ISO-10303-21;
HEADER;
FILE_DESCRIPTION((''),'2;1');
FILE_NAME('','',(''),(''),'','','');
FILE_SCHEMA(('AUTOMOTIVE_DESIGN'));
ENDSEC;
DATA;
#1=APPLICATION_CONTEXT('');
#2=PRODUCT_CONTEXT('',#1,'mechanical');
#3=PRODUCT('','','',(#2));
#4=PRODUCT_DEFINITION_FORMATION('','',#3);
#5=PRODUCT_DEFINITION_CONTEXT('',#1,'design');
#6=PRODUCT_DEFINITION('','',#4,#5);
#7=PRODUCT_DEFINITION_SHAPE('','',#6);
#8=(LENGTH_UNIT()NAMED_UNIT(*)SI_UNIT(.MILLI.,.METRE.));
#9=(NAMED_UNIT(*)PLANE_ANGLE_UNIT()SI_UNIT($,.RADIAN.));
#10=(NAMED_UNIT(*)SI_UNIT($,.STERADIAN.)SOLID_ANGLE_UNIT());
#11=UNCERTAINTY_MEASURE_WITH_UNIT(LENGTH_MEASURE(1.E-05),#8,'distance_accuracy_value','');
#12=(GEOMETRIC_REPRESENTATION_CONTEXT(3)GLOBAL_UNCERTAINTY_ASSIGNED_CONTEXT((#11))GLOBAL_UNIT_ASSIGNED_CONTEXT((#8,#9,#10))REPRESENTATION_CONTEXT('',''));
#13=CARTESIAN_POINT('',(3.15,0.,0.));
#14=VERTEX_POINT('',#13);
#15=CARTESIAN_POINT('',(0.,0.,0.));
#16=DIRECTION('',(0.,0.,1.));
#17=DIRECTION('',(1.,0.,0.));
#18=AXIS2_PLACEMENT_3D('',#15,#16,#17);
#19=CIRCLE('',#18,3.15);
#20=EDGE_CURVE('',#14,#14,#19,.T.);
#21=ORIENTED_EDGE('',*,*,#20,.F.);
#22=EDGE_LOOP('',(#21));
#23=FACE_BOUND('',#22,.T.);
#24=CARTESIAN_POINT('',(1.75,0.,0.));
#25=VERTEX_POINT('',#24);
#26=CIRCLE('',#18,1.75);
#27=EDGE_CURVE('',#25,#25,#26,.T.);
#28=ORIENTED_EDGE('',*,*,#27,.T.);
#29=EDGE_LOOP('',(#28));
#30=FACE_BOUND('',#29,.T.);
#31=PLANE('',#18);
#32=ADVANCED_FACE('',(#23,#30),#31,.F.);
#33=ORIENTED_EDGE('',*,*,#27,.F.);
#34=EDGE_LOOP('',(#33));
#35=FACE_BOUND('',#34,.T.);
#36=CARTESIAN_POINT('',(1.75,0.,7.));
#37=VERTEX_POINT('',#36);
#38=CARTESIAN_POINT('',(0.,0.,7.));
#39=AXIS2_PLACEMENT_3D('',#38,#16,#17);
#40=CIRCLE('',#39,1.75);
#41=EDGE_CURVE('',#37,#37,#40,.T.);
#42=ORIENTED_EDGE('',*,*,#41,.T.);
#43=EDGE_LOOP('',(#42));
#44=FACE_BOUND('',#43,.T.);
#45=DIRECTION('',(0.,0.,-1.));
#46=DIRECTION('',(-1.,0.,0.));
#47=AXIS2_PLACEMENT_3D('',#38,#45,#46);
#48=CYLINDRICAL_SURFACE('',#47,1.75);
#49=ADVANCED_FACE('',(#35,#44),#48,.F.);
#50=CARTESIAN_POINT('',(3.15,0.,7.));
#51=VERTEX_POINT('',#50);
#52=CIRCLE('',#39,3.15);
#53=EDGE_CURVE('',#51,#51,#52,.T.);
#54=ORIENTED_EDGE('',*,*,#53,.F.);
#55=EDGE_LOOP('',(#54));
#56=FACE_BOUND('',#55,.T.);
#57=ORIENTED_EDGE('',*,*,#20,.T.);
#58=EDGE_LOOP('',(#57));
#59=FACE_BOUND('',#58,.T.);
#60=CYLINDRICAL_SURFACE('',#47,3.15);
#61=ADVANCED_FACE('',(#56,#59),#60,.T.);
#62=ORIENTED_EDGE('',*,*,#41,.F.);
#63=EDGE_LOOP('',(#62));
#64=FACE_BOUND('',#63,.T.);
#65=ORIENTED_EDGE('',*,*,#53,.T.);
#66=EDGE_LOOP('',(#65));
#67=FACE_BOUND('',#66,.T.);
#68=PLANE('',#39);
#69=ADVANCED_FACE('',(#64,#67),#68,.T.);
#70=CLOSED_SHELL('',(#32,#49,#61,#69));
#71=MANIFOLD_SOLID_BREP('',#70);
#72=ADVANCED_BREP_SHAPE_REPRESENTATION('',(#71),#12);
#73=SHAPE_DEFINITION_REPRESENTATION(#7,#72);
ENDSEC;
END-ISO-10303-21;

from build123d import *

# Parameters (mm, degrees)
SZKIC1_R                    = 3.15
SZKIC1_R_2                  = 1.75
DODANIE_WYCI_GNI_CIE1_DEPTH = 7


with BuildPart() as part:
    # Szkic1 → Dodanie-wyciągnięcie1 (new body)
    with BuildSketch(Plane.XY):
        Circle(SZKIC1_R)
        Circle(SZKIC1_R_2, mode=Mode.SUBTRACT)
    extrude(amount=DODANIE_WYCI_GNI_CIE1_DEPTH)


solid = part.part
